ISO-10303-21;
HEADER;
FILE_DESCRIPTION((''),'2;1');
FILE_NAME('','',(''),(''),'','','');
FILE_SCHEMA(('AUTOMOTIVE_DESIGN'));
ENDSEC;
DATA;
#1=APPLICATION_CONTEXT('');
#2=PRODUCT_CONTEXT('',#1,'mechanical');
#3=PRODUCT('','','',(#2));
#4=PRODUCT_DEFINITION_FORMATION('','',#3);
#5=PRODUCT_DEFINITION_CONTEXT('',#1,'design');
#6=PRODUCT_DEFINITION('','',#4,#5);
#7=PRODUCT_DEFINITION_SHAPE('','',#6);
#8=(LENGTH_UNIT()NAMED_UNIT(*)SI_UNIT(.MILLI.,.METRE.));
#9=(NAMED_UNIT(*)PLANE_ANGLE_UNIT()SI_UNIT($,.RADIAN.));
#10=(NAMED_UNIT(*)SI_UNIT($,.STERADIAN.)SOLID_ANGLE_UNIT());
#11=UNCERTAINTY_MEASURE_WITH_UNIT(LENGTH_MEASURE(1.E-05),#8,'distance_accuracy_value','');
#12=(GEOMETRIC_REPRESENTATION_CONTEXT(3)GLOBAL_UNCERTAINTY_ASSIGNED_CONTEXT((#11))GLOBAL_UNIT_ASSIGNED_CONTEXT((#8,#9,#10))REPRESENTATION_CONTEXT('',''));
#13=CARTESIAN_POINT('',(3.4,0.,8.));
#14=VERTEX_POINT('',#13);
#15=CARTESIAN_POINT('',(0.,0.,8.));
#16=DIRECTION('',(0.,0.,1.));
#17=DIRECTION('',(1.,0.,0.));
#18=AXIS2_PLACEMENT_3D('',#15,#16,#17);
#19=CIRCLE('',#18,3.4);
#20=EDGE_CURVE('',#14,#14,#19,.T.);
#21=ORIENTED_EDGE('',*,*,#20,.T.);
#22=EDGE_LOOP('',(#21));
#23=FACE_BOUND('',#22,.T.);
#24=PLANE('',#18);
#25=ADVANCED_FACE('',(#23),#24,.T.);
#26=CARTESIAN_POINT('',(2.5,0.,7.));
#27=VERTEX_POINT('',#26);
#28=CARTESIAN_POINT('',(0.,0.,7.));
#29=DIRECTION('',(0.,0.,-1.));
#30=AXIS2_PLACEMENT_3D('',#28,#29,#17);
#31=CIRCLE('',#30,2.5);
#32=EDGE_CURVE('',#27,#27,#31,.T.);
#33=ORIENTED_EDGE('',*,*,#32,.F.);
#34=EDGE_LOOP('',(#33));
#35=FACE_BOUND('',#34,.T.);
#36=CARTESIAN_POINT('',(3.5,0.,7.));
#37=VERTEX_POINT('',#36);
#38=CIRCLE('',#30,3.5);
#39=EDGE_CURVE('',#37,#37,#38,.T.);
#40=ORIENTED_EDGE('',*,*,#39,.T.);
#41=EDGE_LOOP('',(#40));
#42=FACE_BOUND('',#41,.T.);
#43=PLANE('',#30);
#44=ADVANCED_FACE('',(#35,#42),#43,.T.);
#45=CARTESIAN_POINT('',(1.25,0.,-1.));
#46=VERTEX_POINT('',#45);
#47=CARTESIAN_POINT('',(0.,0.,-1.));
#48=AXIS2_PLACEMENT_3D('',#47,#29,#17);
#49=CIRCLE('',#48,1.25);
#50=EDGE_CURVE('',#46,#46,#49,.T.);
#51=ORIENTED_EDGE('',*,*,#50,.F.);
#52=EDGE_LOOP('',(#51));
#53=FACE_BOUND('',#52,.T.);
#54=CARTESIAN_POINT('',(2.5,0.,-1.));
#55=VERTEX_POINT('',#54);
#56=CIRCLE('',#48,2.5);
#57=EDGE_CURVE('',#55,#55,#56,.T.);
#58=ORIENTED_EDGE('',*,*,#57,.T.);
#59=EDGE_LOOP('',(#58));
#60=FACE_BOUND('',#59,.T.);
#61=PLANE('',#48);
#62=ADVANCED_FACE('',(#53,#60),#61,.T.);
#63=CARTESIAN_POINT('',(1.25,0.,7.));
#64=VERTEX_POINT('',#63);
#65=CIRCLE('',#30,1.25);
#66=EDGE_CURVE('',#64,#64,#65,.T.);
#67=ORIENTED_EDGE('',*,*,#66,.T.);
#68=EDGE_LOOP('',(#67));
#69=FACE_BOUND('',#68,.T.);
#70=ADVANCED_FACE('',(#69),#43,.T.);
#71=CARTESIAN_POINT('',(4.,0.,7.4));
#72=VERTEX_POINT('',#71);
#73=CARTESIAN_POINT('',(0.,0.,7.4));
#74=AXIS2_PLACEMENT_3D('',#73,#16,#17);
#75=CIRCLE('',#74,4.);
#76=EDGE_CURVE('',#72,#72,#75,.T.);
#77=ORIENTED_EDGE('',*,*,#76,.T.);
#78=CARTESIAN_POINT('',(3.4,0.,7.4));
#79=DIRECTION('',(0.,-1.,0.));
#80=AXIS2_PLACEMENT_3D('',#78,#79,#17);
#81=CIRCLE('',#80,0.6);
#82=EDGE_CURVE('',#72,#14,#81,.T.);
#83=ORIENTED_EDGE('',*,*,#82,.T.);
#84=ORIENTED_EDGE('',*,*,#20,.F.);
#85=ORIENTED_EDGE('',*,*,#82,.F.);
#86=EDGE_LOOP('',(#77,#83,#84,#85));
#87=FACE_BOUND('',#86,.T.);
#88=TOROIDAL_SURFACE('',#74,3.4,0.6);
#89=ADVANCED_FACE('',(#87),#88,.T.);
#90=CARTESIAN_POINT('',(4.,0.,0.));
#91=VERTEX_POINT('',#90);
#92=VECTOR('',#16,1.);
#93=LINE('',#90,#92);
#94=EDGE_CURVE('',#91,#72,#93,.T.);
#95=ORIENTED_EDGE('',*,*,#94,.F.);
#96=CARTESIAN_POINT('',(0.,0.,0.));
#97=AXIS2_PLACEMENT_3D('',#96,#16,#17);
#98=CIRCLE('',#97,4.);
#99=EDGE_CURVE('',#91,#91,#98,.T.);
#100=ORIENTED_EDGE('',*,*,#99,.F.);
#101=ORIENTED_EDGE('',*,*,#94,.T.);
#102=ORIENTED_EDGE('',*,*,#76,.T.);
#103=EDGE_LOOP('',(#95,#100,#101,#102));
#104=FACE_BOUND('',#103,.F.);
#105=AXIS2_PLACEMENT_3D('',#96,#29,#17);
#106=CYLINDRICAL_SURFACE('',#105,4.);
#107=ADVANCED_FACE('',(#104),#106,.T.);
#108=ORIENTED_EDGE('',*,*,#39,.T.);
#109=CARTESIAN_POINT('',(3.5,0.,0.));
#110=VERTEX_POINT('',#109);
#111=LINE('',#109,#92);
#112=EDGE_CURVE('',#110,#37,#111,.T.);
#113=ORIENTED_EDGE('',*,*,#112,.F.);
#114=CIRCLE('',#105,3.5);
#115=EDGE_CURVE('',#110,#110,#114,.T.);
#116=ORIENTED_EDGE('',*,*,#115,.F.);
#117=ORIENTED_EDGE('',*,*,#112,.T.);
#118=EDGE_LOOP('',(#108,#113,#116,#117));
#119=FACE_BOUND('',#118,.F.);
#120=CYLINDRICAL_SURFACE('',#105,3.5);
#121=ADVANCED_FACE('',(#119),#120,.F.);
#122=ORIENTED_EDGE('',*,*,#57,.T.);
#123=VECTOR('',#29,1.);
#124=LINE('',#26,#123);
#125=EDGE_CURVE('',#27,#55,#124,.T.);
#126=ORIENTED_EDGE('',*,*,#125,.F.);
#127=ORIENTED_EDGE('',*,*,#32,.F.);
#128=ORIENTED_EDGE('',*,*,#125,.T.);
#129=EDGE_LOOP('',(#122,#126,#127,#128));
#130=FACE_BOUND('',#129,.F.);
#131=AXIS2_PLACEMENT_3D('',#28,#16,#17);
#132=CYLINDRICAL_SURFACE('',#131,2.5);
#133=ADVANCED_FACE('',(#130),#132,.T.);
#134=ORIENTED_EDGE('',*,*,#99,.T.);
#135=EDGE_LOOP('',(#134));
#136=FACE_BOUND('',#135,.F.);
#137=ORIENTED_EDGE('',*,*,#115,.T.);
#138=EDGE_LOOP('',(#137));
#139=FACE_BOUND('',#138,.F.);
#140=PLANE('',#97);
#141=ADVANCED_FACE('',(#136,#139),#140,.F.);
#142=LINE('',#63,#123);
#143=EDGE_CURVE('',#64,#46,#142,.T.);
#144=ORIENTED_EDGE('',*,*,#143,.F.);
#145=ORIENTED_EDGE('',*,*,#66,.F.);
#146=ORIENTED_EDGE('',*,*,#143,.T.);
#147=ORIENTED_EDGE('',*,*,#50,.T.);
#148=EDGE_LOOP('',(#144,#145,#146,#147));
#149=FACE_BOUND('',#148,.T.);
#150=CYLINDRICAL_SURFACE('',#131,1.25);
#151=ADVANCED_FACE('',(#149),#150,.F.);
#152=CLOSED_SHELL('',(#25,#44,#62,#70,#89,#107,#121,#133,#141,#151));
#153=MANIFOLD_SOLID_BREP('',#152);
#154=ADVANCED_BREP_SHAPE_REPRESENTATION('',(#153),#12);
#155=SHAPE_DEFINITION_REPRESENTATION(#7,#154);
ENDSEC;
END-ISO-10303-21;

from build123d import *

# Parameters (mm, degrees)
F0_R     = 4
F1_DEPTH = 8
F2_R     = 0.6
F3_R     = 3.5
F4_DEPTH = 7
F5_R     = 2.5
F5_R_2   = 1.25
F6_DEPTH = 8


with BuildPart() as f1:
    # F0 (on Top) → F1 (new body)
    with BuildSketch(Plane.XY):
        Circle(F0_R)
    extrude(amount=F1_DEPTH)

    # F2
    f2_edges = [f1.edges().sort_by_distance(p)[0] for p in [
        (-4, 0, 8),
    ]]
    fillet(f2_edges, radius=F2_R)

    # F3 (on face) → F4 (cut)
    with BuildSketch(Plane(origin=(0, 0, 0), x_dir=(1, 0, 0), z_dir=(0, 0, -1))):
        Circle(F3_R)
    extrude(amount=-F4_DEPTH, mode=Mode.SUBTRACT)

    # F5 (on face) → F6 (join)
    with BuildSketch(Plane(origin=(0, 0, 7), x_dir=(1, 0, 0), z_dir=(0, 0, -1))):
        Circle(F5_R)
        Circle(F5_R_2, mode=Mode.SUBTRACT)
    extrude(amount=F6_DEPTH)


solid = f1.part
